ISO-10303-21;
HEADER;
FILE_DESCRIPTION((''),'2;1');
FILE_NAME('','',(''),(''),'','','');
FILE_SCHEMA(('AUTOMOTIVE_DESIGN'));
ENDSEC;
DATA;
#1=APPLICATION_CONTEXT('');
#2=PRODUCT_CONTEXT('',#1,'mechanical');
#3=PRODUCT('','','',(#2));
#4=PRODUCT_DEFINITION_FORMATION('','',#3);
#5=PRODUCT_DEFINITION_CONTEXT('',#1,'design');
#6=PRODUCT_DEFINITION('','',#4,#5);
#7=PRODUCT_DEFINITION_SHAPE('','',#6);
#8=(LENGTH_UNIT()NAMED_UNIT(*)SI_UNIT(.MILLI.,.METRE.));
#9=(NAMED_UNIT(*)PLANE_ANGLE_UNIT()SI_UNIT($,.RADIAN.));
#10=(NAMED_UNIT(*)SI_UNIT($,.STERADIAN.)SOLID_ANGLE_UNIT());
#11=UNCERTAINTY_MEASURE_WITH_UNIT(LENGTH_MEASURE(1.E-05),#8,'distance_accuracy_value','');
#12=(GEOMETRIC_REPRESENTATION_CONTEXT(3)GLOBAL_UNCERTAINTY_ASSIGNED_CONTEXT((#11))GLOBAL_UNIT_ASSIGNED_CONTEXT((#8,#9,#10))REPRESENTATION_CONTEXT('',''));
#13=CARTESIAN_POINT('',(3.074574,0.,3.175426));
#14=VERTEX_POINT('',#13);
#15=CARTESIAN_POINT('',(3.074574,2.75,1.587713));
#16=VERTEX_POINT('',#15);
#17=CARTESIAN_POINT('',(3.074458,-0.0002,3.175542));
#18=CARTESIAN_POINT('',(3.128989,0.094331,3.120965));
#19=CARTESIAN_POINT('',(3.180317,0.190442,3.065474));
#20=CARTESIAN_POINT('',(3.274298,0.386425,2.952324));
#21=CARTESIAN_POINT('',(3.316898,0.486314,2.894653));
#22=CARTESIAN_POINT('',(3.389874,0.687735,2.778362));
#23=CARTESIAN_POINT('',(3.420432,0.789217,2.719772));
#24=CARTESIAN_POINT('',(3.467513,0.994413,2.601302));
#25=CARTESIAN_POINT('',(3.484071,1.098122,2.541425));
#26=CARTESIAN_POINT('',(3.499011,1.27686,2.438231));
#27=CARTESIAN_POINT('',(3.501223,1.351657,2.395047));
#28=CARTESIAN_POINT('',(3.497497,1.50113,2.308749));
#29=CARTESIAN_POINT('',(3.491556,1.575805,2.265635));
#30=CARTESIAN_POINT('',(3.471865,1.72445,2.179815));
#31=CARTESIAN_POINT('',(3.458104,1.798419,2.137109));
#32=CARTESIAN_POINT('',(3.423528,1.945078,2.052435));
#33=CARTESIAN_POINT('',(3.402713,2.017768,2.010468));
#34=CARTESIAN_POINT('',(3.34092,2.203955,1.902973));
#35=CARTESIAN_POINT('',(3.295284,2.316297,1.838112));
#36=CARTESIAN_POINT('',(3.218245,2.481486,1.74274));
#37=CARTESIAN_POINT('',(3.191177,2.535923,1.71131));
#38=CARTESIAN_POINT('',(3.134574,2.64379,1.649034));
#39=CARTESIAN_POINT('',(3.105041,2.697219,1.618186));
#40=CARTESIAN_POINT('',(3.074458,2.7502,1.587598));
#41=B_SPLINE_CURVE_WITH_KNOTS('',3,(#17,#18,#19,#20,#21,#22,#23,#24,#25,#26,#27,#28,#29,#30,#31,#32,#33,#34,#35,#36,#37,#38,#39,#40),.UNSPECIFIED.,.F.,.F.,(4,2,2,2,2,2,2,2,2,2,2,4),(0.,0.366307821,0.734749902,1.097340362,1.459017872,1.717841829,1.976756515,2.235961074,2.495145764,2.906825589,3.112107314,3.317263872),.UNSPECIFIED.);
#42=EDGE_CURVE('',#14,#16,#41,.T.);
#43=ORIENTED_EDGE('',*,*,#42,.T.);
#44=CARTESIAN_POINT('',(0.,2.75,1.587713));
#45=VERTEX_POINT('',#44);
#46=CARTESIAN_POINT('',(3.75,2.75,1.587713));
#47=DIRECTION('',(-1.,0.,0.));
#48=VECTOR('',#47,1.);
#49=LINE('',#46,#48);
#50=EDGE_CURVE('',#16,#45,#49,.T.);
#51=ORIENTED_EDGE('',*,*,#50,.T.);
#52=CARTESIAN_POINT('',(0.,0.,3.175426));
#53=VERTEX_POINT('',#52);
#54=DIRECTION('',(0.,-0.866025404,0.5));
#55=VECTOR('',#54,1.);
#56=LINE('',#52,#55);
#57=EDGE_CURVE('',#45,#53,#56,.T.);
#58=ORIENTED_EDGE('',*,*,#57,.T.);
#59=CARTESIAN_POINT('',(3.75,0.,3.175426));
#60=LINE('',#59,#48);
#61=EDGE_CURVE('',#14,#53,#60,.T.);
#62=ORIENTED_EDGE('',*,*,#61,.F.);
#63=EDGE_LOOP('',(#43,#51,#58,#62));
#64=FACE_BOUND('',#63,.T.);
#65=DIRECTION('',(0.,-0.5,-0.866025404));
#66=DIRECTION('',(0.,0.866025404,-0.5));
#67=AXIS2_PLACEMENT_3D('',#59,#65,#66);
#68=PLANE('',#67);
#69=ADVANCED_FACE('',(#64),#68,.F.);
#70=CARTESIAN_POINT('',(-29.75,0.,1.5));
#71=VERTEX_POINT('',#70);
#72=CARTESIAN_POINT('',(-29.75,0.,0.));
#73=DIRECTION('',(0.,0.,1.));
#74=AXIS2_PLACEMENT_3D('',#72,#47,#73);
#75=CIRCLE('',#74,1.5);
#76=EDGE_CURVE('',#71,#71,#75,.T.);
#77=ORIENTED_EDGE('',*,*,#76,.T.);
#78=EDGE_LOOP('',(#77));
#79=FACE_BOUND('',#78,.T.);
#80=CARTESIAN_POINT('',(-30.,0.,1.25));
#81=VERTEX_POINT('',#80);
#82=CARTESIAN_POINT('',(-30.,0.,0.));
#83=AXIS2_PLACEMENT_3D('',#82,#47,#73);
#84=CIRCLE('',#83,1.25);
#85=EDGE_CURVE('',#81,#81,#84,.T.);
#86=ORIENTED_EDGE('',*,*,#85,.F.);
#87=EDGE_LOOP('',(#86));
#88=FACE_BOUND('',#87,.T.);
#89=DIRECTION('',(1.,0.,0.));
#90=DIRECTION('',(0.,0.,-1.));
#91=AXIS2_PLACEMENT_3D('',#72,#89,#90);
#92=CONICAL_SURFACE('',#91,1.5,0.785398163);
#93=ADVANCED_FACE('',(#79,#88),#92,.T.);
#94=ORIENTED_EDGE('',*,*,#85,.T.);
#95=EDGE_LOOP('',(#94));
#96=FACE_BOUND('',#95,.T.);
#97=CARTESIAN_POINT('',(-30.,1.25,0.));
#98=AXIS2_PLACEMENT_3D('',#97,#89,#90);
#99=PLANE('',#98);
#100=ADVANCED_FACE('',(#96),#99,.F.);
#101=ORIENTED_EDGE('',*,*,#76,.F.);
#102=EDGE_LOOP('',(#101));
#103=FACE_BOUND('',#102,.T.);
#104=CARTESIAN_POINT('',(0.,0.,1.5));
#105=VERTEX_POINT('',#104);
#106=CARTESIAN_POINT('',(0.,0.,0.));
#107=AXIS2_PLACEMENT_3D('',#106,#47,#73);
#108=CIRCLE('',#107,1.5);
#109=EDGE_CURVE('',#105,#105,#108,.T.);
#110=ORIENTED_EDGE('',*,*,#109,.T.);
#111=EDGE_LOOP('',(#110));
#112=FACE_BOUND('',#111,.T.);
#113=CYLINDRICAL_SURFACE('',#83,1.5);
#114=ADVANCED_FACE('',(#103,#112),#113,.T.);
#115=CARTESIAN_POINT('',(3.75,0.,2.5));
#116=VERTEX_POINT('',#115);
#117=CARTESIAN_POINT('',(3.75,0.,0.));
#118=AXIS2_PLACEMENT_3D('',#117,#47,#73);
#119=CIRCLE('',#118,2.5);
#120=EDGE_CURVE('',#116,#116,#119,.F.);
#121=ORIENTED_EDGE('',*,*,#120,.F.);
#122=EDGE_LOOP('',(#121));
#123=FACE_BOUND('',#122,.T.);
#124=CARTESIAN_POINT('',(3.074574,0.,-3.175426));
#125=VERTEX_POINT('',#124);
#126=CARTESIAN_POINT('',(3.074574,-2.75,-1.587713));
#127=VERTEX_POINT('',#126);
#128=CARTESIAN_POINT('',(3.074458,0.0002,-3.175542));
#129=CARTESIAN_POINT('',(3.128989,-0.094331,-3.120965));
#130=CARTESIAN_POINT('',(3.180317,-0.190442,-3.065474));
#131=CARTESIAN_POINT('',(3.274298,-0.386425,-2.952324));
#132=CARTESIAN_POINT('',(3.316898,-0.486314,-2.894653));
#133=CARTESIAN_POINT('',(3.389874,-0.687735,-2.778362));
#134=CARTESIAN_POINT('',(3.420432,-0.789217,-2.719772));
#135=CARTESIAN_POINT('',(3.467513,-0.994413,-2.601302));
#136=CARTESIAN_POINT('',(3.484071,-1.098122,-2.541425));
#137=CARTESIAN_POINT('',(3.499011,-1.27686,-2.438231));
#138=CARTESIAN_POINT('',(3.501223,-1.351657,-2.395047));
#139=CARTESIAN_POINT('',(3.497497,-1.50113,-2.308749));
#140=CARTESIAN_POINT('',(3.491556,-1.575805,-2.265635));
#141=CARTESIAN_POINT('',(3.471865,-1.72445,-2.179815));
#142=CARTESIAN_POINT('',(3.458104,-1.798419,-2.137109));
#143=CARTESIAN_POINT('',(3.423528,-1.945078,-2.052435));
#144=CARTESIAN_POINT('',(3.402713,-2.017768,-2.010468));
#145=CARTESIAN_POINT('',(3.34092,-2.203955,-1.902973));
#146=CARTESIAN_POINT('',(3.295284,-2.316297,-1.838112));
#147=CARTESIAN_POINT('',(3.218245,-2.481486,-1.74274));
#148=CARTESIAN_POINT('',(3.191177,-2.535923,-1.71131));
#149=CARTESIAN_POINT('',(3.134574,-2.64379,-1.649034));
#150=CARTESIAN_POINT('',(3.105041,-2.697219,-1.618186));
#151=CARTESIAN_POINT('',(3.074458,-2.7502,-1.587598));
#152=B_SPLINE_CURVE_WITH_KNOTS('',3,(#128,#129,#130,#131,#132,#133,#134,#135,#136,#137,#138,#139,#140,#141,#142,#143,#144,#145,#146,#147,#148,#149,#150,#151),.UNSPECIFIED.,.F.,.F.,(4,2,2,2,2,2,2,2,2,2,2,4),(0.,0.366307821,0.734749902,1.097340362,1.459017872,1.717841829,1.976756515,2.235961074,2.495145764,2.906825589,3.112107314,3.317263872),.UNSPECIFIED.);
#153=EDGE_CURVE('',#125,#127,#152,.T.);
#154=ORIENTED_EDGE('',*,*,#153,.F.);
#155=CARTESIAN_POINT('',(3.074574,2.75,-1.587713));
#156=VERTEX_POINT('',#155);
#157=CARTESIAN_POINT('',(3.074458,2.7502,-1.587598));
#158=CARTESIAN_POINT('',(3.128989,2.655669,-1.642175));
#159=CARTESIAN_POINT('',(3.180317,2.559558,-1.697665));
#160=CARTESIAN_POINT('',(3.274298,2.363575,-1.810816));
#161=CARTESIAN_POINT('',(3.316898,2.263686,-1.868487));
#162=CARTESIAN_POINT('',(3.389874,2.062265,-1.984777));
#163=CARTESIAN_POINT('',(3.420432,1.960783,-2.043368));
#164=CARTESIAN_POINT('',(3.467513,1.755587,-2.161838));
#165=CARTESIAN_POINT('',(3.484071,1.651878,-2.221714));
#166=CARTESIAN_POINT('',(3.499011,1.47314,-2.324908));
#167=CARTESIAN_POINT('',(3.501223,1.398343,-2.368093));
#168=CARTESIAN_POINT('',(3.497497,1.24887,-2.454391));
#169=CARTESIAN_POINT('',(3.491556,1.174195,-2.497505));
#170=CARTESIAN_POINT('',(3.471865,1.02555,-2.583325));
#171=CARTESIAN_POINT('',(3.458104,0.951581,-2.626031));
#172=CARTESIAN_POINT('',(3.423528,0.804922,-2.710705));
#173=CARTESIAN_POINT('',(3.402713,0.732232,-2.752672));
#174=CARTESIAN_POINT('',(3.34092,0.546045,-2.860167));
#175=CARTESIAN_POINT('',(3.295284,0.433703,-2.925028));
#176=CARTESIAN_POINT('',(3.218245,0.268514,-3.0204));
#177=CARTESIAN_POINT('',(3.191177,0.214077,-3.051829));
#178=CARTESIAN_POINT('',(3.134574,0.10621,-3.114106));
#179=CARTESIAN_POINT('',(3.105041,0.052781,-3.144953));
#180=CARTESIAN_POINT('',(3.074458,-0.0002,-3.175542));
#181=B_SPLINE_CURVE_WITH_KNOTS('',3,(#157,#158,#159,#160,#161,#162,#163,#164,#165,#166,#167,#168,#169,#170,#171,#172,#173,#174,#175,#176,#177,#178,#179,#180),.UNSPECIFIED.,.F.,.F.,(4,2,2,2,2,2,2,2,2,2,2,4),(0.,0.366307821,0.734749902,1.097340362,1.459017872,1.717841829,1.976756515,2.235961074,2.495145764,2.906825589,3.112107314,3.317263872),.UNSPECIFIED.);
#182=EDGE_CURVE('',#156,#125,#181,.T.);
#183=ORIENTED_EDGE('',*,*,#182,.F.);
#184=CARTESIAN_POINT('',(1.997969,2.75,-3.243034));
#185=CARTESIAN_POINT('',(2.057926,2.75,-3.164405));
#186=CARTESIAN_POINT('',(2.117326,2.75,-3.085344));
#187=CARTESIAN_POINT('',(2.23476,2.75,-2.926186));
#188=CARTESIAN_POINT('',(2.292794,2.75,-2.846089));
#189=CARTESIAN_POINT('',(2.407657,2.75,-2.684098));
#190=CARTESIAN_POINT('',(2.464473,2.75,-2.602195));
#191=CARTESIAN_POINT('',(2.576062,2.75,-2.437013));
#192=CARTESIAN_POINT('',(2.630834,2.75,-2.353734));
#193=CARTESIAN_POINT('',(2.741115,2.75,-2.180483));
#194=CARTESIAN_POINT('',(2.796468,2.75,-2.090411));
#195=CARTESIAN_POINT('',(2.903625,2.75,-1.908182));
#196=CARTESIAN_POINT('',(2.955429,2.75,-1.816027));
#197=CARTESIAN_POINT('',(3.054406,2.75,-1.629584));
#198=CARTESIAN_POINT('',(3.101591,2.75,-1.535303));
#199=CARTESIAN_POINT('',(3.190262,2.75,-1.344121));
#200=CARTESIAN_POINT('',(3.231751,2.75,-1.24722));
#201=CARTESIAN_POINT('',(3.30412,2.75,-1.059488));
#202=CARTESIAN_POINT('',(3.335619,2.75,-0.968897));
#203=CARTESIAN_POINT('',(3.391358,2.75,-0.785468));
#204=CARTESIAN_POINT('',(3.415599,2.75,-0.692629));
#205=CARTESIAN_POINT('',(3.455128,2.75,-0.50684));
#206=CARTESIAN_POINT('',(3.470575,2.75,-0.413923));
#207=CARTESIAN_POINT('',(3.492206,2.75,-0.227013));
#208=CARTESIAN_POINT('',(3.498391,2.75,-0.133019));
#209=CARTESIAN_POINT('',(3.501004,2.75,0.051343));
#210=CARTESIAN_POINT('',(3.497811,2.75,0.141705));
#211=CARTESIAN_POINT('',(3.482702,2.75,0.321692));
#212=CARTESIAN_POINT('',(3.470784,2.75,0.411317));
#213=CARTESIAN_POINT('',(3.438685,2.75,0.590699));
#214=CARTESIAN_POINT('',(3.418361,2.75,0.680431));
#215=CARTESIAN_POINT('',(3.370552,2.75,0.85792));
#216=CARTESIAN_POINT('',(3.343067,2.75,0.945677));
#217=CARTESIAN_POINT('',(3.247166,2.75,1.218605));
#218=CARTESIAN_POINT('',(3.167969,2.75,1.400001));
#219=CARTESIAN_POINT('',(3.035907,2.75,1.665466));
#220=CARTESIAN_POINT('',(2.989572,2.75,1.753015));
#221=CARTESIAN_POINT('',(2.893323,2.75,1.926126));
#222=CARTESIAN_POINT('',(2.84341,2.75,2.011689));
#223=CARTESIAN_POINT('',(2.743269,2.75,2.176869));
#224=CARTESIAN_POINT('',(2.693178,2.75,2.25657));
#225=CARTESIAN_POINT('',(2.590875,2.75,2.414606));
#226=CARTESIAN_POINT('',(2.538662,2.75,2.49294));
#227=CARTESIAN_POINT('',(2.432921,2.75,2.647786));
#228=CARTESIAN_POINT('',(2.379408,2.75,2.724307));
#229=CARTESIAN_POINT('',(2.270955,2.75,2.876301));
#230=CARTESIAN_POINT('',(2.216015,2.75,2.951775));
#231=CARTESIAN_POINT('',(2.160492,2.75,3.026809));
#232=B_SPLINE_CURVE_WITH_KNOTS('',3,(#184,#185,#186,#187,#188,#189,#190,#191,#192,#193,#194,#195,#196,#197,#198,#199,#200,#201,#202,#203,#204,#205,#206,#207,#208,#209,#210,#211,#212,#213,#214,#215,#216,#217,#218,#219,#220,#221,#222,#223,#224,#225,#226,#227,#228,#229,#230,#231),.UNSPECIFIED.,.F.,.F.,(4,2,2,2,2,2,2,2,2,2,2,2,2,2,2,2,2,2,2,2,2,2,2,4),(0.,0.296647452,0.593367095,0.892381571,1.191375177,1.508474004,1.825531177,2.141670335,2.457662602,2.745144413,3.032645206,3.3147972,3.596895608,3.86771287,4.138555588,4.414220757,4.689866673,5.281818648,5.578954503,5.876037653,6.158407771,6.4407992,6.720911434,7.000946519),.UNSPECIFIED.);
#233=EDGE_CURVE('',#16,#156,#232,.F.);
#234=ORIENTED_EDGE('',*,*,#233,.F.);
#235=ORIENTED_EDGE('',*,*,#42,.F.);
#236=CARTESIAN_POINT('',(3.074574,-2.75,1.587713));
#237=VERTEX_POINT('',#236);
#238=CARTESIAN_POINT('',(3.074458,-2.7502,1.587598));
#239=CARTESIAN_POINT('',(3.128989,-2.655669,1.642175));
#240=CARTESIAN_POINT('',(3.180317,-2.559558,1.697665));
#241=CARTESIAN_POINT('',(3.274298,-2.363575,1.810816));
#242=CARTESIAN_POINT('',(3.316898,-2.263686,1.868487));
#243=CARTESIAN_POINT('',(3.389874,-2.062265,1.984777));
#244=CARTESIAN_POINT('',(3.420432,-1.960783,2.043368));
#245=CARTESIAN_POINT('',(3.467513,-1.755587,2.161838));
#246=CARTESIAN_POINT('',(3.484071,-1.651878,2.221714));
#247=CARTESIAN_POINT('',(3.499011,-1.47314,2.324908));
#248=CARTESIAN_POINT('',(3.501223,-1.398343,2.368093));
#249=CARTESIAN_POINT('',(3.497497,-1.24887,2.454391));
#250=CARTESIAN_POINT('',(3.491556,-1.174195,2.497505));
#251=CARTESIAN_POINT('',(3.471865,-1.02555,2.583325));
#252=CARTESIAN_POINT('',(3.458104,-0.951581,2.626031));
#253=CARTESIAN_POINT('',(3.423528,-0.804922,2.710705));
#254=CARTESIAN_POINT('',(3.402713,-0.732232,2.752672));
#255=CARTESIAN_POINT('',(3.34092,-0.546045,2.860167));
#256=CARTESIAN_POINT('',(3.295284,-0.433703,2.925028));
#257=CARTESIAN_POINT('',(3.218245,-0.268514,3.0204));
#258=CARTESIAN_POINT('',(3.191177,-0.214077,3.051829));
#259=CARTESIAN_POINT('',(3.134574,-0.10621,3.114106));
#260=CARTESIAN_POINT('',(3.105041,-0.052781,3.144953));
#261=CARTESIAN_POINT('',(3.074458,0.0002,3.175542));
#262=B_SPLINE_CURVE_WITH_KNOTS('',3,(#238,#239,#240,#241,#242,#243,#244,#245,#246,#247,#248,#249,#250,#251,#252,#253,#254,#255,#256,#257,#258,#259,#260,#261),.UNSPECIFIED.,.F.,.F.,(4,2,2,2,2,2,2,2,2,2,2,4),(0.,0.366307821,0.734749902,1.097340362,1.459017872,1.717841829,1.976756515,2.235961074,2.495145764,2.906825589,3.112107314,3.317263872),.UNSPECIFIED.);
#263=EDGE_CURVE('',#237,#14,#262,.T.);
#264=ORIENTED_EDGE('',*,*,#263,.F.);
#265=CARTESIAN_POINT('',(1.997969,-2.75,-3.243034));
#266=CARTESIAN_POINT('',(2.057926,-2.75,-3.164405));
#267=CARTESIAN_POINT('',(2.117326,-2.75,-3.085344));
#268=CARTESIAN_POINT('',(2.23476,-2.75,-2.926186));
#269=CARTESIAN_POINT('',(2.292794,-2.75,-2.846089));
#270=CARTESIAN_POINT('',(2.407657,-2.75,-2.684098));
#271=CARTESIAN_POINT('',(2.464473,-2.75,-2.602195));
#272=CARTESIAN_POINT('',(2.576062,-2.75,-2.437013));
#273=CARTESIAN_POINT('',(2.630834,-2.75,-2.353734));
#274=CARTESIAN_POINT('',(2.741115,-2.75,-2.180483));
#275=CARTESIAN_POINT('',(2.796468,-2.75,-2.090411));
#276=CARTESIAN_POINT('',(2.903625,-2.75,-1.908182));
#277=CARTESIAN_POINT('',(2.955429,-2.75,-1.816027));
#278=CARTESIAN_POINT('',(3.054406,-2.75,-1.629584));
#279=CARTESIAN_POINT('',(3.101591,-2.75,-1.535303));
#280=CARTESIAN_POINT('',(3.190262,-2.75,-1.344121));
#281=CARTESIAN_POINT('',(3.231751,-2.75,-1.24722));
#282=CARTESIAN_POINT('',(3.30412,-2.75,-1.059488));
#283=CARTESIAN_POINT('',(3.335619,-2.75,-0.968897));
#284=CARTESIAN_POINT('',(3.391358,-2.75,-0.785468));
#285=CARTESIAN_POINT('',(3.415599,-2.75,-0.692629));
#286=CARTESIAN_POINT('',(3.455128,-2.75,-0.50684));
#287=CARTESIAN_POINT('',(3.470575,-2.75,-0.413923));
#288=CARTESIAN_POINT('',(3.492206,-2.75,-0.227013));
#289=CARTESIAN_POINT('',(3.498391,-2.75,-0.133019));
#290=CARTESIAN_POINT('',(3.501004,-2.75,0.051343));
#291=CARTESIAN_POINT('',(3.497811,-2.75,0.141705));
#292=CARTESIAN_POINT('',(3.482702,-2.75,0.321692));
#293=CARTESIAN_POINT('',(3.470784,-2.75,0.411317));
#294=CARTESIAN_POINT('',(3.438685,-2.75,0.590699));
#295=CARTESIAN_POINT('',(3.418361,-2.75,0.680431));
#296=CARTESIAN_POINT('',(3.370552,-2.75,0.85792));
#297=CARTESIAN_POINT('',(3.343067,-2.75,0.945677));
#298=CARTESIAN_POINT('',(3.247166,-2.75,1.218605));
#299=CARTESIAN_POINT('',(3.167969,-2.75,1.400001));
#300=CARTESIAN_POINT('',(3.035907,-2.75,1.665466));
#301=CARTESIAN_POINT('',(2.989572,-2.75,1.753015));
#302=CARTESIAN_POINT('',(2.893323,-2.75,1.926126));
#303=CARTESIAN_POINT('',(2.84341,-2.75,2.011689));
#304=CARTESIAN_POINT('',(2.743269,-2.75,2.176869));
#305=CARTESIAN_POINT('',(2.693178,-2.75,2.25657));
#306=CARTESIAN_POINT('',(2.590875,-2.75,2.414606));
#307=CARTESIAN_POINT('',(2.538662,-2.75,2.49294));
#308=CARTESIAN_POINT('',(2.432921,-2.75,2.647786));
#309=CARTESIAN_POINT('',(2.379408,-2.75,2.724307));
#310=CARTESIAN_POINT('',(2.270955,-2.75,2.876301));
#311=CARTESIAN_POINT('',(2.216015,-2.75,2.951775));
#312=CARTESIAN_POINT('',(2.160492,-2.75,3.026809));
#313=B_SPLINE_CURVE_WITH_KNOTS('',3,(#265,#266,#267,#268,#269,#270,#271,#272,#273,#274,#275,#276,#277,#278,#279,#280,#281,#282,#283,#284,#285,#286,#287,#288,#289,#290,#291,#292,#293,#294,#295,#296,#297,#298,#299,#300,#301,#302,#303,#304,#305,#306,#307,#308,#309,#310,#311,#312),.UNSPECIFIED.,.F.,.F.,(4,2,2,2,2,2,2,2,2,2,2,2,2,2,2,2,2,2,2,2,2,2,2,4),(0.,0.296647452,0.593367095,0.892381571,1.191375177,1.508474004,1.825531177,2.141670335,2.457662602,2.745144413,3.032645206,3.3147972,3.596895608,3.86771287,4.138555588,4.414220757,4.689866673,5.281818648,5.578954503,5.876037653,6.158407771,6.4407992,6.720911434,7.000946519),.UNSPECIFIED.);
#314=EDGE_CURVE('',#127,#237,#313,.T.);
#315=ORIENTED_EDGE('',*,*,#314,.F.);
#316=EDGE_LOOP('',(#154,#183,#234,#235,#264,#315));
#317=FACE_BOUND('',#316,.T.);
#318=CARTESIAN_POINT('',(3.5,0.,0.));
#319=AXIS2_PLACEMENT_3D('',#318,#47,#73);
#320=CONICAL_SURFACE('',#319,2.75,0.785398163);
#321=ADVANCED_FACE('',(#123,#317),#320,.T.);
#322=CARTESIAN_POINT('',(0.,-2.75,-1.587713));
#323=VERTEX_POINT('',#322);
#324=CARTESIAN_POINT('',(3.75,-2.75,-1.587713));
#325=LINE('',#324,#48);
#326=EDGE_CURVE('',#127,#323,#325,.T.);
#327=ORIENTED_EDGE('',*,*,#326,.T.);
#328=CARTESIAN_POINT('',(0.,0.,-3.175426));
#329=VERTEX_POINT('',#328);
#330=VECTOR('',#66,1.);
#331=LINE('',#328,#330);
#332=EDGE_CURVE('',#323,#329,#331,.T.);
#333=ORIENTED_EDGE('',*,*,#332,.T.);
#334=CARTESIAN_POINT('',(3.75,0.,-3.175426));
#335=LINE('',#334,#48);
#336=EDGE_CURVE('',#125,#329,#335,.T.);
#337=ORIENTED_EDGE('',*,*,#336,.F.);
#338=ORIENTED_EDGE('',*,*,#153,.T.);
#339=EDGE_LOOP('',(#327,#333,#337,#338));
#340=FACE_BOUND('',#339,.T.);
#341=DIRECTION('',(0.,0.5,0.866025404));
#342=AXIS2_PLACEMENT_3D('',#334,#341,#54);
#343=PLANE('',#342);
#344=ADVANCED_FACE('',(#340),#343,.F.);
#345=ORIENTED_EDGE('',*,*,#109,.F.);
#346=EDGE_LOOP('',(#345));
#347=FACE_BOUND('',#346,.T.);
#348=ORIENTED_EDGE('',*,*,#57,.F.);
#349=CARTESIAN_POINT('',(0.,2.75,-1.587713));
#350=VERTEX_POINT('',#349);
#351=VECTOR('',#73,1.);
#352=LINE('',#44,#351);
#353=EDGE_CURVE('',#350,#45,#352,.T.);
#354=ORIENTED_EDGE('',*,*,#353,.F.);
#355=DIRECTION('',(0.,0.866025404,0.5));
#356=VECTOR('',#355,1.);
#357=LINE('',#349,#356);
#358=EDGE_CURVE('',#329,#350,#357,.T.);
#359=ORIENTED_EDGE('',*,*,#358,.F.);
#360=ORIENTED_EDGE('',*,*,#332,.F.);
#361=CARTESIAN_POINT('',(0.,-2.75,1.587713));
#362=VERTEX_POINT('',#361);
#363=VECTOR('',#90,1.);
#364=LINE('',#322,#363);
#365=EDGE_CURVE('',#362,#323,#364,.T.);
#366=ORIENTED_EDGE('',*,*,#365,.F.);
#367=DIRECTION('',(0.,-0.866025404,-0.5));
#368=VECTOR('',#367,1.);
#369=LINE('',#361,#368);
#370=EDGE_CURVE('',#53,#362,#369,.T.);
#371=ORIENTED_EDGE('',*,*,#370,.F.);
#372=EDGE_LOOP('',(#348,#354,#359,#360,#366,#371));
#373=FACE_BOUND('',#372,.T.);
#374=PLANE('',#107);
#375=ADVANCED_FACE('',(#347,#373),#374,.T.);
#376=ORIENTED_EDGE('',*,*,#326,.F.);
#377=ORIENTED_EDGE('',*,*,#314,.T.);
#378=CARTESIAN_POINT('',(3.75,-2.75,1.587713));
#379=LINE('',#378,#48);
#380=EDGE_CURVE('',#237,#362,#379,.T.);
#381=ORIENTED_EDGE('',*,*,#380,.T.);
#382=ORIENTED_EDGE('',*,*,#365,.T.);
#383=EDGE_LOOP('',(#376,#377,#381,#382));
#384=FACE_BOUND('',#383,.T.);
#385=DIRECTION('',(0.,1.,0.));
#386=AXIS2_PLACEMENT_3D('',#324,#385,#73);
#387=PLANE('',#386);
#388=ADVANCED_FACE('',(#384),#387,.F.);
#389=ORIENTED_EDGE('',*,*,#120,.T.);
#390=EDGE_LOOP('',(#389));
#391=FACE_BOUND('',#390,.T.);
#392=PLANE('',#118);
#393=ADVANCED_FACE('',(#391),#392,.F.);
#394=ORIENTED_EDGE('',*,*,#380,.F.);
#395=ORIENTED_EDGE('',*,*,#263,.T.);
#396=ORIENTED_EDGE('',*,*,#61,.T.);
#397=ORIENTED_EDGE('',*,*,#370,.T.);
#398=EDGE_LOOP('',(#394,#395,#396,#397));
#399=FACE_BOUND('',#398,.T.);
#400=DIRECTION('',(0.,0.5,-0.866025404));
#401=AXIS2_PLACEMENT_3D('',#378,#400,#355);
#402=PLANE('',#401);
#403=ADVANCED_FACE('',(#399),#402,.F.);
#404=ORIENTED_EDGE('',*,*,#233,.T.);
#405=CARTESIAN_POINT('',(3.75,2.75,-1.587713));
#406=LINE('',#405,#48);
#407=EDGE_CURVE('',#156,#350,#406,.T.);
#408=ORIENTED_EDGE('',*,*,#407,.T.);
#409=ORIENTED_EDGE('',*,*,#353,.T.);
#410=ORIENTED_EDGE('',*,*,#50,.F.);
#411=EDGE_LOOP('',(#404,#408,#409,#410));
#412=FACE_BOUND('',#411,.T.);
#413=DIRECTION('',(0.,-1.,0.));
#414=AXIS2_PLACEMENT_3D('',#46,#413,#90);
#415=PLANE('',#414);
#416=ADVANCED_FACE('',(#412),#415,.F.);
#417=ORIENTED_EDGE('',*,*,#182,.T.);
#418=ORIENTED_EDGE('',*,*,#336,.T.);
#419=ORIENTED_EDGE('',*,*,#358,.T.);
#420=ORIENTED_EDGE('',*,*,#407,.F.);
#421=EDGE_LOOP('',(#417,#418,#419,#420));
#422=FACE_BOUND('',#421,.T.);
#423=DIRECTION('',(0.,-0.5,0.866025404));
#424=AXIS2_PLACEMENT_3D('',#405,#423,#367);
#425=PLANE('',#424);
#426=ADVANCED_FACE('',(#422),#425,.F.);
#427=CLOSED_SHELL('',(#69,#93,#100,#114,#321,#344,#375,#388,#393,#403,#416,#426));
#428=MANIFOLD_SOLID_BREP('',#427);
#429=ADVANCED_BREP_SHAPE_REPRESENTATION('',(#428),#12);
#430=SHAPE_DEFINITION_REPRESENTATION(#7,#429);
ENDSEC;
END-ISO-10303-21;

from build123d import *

# Parameters (mm, degrees)
BOSS_EXTRUDE1_DEPTH = 3.75


with BuildPart() as part:
    # Sketch1 → Revolve1 (revolve)
    with BuildSketch(Plane.XY, mode=Mode.PRIVATE) as revolve1_sk:
        Polygon((0, 0), (0, 1.5), (-29.75, 1.5), (-30, 1.25), (-30, 0), align=None)
    revolve(revolve1_sk.sketch.rotate(Axis((-30, 0, 0), (1, 0, 0)), 90), axis=Axis((-30, 0, 0), (1, 0, 0)))

    # Sketch2 → Boss-Extrude1 (add)
    with BuildSketch(Plane(origin=(0, 0, 0), x_dir=(0, 0, -1), z_dir=(1, 0, 0))):
        Polygon((-1.58771324, 2.75), (0, 2.75), (1.58771324, 2.75), (2.38156986, 1.375), (3.175426481, 0), (2.38156986, -1.375), (1.58771324, -2.75), (0, -2.75), (-1.58771324, -2.75), (-2.38156986, -1.375), (-3.175426481, 0), (-2.38156986, 1.375), align=None)
    extrude(amount=BOSS_EXTRUDE1_DEPTH)

    # Sketch3 → Cut-Revolve3 (revolve, cut)
    with BuildSketch(Plane.XY, mode=Mode.PRIVATE) as cut_revolve3_sk:
        Polygon((4, -2.25), (3.5, -2.75), (2.25, -4), (5.25, -4), (5.25, -1), align=None)
    revolve(cut_revolve3_sk.sketch.rotate(Axis((0, 0, 0), (1, 0, 0)), 270), axis=Axis((0, 0, 0), (1, 0, 0)), mode=Mode.SUBTRACT)


solid = part.part
